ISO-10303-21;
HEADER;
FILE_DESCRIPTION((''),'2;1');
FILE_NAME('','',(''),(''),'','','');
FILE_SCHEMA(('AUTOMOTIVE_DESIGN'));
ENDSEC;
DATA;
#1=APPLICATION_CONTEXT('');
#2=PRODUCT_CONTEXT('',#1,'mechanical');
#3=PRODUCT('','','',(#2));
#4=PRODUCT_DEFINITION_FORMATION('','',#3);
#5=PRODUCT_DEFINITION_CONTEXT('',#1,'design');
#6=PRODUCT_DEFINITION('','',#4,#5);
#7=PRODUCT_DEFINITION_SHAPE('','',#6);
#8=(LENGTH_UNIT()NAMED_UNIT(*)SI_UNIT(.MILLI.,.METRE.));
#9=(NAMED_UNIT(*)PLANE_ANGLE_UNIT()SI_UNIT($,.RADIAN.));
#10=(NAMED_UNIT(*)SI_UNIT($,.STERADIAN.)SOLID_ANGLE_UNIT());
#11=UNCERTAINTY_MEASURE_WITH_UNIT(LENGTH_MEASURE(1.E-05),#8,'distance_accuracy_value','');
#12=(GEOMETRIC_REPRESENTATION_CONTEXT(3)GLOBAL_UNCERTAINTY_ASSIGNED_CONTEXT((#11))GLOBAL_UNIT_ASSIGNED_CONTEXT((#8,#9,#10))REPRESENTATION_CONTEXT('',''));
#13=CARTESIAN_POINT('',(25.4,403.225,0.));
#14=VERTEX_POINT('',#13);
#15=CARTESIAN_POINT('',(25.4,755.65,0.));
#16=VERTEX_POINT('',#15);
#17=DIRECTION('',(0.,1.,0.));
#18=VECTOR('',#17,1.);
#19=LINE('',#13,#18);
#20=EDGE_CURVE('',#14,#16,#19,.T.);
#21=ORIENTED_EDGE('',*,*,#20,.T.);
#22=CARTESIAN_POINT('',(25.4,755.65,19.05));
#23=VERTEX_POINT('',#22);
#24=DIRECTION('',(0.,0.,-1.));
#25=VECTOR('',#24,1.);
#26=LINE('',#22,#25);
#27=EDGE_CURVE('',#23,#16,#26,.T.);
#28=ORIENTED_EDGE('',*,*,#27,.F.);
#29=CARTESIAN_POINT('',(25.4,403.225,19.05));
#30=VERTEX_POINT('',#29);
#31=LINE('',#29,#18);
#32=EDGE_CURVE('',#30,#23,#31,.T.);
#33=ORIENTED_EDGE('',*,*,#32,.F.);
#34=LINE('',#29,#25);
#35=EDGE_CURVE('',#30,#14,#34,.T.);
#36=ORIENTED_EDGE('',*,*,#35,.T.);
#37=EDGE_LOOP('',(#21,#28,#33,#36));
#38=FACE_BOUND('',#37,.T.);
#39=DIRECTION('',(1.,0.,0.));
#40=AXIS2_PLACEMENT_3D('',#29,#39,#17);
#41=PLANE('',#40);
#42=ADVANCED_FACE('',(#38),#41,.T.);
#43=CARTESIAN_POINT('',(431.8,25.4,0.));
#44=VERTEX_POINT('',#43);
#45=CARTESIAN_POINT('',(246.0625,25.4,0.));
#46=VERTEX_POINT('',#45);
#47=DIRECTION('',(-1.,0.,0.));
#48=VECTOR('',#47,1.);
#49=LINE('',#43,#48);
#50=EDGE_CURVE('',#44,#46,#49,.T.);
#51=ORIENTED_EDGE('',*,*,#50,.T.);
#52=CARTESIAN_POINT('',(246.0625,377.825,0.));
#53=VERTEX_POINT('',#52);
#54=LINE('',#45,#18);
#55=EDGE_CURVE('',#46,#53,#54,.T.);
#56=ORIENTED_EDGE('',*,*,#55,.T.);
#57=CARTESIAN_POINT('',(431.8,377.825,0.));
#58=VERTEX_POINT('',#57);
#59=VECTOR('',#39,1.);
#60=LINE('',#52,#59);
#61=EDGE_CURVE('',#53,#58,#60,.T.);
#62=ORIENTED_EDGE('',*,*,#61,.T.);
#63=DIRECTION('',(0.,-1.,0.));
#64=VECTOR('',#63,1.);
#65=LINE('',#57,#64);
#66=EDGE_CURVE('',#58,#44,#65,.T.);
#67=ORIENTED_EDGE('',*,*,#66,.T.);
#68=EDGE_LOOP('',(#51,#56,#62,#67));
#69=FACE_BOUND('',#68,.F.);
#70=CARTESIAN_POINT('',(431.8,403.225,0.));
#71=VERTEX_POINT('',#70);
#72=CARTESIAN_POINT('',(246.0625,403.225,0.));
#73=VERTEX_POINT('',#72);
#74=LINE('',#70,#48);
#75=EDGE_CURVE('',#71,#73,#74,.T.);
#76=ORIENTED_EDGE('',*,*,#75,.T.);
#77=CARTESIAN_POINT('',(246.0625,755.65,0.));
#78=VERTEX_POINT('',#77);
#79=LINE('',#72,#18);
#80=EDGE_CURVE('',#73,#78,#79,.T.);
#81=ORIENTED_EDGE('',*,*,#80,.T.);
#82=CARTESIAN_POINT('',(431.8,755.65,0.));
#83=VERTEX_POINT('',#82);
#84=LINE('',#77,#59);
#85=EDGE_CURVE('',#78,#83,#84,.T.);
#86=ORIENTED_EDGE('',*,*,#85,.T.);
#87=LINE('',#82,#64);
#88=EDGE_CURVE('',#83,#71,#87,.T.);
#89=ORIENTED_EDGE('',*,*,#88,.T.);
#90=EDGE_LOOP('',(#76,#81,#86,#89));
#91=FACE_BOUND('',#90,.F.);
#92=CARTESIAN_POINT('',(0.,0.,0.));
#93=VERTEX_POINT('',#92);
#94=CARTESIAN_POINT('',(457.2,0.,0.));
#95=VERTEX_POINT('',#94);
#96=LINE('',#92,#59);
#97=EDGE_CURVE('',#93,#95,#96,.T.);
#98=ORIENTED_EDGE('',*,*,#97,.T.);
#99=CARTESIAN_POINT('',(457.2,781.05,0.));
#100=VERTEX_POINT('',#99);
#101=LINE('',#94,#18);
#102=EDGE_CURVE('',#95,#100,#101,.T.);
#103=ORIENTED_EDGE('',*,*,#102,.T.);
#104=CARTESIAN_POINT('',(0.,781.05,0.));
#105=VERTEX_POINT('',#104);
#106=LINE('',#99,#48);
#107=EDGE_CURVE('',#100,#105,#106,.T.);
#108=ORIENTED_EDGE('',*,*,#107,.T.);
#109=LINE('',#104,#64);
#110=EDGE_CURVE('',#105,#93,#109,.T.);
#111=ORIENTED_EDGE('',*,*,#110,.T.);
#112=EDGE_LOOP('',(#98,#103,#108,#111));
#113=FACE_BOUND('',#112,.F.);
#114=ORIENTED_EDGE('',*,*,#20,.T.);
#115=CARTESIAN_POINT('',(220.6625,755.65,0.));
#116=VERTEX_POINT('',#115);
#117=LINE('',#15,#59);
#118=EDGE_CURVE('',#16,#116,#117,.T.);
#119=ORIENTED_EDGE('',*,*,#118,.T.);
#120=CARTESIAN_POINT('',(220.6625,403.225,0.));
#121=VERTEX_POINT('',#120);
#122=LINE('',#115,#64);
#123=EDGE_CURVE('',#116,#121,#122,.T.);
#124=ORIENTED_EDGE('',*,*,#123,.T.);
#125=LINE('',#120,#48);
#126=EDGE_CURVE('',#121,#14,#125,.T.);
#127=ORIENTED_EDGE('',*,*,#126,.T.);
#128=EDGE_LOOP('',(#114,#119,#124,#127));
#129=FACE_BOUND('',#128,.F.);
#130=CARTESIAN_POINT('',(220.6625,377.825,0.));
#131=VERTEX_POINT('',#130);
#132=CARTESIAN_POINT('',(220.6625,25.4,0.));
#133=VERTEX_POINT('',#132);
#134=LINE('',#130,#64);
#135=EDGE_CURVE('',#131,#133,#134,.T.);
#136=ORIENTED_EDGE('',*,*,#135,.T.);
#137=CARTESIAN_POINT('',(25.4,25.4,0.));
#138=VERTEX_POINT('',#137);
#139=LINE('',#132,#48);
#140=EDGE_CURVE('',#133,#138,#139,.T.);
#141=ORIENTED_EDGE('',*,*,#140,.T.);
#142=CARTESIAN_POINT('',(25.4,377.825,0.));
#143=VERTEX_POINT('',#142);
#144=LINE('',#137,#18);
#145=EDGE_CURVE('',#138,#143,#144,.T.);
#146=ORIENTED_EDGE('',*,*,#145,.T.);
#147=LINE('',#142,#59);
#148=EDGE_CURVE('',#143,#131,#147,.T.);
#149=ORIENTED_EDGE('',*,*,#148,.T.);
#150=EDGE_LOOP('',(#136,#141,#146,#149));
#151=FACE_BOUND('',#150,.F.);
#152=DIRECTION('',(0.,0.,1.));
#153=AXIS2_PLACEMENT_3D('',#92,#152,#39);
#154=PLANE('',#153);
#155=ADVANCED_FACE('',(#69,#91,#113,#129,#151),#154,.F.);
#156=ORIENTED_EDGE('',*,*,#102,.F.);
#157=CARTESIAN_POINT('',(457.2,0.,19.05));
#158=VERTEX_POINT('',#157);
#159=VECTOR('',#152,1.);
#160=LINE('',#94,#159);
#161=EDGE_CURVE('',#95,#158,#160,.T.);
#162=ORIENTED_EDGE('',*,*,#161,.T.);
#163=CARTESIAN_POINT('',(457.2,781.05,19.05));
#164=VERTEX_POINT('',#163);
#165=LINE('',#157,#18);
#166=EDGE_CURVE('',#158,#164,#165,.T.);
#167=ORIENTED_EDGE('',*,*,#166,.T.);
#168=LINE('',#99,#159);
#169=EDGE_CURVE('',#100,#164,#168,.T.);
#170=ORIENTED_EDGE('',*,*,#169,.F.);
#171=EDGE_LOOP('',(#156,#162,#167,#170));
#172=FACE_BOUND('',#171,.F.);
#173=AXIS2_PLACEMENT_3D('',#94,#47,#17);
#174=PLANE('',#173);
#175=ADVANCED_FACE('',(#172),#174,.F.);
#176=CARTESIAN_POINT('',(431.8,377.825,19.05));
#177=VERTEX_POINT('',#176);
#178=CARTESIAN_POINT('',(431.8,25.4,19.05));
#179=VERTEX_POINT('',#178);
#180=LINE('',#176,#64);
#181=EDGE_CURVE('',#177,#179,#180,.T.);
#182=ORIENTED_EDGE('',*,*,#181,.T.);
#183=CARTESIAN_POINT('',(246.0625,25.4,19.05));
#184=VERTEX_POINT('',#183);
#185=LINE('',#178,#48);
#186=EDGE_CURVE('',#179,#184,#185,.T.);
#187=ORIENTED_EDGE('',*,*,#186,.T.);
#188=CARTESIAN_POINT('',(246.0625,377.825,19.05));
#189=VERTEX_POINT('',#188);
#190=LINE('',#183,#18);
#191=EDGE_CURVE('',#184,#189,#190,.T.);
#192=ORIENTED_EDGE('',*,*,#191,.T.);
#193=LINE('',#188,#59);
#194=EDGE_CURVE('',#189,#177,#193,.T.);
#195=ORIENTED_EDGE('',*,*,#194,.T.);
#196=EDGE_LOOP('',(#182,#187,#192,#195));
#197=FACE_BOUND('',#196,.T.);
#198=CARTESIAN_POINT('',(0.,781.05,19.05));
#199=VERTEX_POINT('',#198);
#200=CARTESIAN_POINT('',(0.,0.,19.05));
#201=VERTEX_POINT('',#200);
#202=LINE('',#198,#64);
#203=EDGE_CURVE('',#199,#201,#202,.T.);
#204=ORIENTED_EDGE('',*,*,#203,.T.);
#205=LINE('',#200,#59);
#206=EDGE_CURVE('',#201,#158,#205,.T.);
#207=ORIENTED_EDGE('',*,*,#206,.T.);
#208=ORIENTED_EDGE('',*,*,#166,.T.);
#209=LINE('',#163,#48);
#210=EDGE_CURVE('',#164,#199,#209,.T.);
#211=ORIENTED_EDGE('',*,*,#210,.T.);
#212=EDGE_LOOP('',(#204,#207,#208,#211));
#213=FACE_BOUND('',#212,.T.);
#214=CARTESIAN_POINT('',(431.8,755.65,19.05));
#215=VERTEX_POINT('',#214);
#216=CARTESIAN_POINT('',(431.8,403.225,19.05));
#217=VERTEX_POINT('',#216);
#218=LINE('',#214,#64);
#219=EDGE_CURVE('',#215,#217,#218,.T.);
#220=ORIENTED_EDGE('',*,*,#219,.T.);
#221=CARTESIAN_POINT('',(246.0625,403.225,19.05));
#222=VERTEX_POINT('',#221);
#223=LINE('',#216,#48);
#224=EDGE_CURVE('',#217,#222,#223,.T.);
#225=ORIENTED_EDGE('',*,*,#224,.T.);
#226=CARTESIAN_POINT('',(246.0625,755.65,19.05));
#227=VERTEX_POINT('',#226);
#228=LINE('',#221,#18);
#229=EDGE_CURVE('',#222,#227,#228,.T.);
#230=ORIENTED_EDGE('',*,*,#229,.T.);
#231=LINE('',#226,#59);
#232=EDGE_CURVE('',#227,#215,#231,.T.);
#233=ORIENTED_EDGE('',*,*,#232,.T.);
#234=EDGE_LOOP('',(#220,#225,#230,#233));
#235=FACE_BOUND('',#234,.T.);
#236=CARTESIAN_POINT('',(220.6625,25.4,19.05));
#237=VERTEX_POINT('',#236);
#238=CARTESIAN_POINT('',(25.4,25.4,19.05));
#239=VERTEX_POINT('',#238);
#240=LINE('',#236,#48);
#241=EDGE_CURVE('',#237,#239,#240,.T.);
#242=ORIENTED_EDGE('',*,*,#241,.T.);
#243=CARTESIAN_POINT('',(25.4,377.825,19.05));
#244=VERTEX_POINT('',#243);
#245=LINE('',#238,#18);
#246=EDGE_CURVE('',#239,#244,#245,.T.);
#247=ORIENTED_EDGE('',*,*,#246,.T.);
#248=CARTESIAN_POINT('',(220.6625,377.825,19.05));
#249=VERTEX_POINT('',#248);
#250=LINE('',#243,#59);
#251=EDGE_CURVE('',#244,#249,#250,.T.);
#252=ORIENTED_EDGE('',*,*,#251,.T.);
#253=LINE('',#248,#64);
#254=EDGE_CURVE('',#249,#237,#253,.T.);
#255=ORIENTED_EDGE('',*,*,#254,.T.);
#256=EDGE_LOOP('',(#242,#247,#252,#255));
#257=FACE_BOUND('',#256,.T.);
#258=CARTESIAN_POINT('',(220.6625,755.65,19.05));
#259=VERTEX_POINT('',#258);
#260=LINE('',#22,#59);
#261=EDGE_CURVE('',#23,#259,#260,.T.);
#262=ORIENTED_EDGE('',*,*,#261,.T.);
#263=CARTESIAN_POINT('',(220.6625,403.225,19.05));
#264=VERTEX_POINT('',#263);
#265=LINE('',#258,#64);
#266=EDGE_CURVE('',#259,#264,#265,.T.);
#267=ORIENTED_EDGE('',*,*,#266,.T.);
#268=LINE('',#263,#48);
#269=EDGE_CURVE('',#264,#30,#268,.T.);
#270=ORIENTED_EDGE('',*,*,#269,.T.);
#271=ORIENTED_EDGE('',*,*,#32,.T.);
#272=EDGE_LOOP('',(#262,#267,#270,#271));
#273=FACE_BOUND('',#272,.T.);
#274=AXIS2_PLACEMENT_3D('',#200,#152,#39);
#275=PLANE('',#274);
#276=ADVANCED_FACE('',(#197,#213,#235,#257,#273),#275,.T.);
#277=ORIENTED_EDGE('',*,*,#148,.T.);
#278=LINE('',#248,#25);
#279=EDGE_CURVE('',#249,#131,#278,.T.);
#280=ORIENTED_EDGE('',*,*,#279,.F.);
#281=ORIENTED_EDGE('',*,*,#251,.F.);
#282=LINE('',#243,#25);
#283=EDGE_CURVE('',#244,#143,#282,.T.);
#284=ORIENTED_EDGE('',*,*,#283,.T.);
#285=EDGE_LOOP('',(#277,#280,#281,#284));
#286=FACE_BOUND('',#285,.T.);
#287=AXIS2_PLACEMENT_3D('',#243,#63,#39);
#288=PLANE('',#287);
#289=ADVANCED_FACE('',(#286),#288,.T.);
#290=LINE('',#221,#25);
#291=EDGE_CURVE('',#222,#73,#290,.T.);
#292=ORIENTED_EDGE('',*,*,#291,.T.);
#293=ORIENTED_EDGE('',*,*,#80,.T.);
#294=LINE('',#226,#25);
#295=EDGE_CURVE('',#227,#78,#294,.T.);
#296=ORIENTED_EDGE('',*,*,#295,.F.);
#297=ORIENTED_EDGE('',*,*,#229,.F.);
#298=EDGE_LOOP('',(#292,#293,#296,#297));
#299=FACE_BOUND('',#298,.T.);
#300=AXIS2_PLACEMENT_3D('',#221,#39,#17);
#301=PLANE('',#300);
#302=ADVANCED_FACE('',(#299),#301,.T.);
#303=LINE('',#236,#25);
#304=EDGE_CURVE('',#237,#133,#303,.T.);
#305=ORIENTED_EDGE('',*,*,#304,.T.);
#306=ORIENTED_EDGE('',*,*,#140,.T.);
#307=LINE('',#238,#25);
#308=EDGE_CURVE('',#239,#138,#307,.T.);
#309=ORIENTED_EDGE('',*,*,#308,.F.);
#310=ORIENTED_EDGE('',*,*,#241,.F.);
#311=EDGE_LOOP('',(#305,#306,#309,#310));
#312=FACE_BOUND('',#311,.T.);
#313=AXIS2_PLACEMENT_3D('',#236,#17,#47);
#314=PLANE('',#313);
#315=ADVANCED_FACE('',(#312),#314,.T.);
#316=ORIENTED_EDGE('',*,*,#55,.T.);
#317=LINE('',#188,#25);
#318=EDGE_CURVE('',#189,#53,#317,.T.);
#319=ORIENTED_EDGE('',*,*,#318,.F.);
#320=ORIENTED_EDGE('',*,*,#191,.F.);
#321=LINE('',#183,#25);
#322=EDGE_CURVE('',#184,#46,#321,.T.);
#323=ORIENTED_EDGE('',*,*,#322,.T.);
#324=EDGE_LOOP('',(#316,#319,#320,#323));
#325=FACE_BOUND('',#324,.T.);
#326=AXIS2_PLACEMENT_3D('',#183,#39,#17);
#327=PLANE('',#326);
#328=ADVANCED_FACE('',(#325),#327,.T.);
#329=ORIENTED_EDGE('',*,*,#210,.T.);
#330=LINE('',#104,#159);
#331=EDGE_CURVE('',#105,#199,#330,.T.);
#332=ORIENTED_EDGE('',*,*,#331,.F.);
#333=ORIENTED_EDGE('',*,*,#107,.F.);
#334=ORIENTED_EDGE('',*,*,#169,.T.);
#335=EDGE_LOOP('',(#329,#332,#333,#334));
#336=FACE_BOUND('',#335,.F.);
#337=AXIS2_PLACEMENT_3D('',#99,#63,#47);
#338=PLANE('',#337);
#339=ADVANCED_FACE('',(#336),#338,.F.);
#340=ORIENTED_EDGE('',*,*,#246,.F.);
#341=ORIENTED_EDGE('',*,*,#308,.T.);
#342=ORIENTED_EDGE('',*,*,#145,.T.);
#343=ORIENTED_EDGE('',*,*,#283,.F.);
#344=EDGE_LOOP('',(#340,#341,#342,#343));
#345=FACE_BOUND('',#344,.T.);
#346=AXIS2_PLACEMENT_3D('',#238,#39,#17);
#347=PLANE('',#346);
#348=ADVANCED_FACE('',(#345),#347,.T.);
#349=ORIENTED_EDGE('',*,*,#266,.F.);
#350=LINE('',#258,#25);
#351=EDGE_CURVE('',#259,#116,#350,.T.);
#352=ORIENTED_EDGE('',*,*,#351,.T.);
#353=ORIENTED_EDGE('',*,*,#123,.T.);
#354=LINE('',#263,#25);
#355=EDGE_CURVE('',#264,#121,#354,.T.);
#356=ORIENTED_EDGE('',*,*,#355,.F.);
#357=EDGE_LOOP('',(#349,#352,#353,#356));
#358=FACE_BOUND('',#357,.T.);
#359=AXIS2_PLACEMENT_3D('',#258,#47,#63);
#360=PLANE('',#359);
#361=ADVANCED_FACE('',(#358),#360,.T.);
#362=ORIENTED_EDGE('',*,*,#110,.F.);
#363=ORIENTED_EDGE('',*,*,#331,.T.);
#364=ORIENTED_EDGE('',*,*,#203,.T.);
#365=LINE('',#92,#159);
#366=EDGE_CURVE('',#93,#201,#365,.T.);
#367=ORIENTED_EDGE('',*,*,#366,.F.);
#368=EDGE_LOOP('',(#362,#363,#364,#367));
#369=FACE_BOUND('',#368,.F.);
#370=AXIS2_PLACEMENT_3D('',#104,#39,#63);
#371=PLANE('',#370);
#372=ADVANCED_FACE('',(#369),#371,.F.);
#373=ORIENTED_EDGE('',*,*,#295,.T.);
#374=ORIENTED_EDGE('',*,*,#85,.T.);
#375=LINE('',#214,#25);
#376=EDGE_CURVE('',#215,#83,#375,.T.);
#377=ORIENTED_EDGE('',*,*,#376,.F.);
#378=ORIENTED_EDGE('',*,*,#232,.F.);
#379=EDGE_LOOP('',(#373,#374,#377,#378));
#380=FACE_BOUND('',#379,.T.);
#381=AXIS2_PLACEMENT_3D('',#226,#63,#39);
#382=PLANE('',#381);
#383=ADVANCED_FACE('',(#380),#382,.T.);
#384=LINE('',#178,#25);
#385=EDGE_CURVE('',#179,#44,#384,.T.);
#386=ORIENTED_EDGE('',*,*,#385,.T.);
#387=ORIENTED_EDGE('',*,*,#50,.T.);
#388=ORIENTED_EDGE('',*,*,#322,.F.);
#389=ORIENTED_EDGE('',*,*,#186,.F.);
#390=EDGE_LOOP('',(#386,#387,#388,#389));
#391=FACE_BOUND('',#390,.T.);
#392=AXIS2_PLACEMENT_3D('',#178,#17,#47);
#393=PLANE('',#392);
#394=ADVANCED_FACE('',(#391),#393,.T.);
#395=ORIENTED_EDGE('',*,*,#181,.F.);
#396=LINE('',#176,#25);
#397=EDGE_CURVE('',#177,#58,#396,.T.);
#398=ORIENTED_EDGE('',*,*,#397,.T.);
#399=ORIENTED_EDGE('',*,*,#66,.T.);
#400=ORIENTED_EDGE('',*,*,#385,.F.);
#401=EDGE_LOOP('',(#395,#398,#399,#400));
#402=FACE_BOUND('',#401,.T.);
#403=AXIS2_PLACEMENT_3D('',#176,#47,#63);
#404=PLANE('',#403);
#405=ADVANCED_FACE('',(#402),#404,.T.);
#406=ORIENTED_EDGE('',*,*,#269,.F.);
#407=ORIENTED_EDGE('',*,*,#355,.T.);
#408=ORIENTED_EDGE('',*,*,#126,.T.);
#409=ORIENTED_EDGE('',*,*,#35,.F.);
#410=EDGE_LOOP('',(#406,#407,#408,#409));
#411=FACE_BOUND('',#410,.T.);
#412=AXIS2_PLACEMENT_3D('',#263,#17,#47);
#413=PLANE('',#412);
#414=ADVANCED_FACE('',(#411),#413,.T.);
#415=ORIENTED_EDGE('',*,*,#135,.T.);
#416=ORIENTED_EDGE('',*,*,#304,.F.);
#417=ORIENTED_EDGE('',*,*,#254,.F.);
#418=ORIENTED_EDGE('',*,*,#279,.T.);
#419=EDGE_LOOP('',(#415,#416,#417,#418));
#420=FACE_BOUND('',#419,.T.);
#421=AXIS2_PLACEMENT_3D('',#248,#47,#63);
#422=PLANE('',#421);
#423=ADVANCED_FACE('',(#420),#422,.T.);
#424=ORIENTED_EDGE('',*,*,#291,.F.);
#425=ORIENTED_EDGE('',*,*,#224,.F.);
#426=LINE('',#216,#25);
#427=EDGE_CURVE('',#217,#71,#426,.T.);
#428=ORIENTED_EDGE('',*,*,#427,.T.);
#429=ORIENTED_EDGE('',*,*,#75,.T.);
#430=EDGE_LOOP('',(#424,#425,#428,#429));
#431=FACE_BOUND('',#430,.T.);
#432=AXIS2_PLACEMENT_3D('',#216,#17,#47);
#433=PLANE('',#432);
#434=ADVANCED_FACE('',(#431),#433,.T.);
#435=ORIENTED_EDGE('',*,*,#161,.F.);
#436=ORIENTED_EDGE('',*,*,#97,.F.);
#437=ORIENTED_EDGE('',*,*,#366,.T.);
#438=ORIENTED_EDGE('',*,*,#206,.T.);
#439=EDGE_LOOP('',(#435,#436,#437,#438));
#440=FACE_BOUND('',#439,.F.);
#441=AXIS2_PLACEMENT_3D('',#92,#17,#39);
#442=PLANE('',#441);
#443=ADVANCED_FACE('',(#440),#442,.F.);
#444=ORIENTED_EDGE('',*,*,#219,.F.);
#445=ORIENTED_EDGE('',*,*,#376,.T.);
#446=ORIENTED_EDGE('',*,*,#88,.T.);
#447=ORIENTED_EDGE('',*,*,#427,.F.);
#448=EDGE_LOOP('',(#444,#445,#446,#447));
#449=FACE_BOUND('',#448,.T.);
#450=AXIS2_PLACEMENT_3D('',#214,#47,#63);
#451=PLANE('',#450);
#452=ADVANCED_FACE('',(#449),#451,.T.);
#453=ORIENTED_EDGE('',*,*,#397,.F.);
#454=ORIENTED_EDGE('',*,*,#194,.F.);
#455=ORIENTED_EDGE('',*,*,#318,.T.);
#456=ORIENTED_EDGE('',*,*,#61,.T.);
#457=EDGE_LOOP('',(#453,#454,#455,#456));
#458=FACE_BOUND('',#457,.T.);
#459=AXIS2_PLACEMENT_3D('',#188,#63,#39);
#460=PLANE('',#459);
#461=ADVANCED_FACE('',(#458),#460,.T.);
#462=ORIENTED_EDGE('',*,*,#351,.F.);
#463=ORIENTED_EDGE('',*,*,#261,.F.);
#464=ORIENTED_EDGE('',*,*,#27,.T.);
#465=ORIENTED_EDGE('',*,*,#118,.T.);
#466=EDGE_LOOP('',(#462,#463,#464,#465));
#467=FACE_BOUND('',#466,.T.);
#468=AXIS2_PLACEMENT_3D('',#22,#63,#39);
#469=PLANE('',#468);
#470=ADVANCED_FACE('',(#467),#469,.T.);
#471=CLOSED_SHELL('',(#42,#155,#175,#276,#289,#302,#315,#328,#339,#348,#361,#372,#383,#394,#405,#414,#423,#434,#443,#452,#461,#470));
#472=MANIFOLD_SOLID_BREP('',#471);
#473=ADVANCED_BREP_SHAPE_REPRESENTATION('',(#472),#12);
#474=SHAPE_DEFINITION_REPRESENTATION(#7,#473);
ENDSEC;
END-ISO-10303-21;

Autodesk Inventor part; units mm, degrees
ref_plane "YZ Plane" through (0, 0, 0) normal (1, 0, 0) x (0, 1, 0)
ref_plane "XZ Plane" through (0, 0, 0) normal (0, 1, 0) x (-1, 0, 0)
ref_plane "XY Plane" through (0, 0, 0) normal (0, 0, 1) x (1, 0, 0)
sketch "Sketch1" plane through (0, 0, 0) normal (0, 0, 1) x (1, 0, 0)
  line L0 (0, 0) -> (457.2, 0)
  line L1 (457.2, 0) -> (457.2, 781.05)
  line L2 (457.2, 781.05) -> (0, 781.05)
  line L3 (0, 781.05) -> (0, 0)
  dimension "d0" = 457.2
  dimension "d1" = 781.05
extrude "Extrusion1" add sketch "Sketch1" along normal blind 19.05
sketch "Sketch2" plane through (0, 0, 19.05) normal (0, 0, 1) x (1, 0, 0)
  line L0 (0, 0) -> (457.2, 0) projected
  line L1 (457.2, 0) -> (457.2, 781.05) projected
  line L2 (457.2, 781.05) -> (0, 781.05) projected
  line L3 (0, 781.05) -> (0, 0) projected
  line L4 (25.4, 755.65) -> (220.6625, 755.65)
  line L5 (220.6625, 755.65) -> (220.6625, 403.225)
  line L6 (220.6625, 403.225) -> (25.4, 403.225)
  line L7 (25.4, 403.225) -> (25.4, 755.65)
  line L8 (246.0625, 755.65) -> (431.8, 755.65)
  line L9 (431.8, 755.65) -> (431.8, 403.225)
  line L10 (431.8, 403.225) -> (246.0625, 403.225)
  line L11 (246.0625, 403.225) -> (246.0625, 755.65)
  line L12 (25.4, 377.825) -> (220.6625, 377.825)
  line L13 (220.6625, 377.825) -> (220.6625, 25.4)
  line L14 (220.6625, 25.4) -> (25.4, 25.4)
  line L15 (25.4, 25.4) -> (25.4, 377.825)
  line L16 (246.0625, 377.825) -> (431.8, 377.825)
  line L17 (431.8, 377.825) -> (431.8, 25.4)
  line L18 (431.8, 25.4) -> (246.0625, 25.4)
  line L19 (246.0625, 25.4) -> (246.0625, 377.825)
  dimension "d24" = 25.4
  dimension "d25" = 25.4
  dimension "d26" = 25.4
  dimension "d27" = 25.4
  dimension "d28" = 25.4
  dimension "d29" = 25.4
  dimension "d30" = 25.4
  dimension "d31" = 25.4
  dimension "d32" = 25.4
  dimension "d33" = 25.4
  dimension "d34" = 185.7375
  dimension "d35" = 195.2625
  dimension "d36" = 352.425
extrude "Extrusion2" cut sketch "Sketch2" against normal blind 19.05 contours L4 L5 L6 L7 | L8 L9 L10 L11 | L12 L13 L14 L15 | L16 L17 L18 L19
properties part number "Door"
